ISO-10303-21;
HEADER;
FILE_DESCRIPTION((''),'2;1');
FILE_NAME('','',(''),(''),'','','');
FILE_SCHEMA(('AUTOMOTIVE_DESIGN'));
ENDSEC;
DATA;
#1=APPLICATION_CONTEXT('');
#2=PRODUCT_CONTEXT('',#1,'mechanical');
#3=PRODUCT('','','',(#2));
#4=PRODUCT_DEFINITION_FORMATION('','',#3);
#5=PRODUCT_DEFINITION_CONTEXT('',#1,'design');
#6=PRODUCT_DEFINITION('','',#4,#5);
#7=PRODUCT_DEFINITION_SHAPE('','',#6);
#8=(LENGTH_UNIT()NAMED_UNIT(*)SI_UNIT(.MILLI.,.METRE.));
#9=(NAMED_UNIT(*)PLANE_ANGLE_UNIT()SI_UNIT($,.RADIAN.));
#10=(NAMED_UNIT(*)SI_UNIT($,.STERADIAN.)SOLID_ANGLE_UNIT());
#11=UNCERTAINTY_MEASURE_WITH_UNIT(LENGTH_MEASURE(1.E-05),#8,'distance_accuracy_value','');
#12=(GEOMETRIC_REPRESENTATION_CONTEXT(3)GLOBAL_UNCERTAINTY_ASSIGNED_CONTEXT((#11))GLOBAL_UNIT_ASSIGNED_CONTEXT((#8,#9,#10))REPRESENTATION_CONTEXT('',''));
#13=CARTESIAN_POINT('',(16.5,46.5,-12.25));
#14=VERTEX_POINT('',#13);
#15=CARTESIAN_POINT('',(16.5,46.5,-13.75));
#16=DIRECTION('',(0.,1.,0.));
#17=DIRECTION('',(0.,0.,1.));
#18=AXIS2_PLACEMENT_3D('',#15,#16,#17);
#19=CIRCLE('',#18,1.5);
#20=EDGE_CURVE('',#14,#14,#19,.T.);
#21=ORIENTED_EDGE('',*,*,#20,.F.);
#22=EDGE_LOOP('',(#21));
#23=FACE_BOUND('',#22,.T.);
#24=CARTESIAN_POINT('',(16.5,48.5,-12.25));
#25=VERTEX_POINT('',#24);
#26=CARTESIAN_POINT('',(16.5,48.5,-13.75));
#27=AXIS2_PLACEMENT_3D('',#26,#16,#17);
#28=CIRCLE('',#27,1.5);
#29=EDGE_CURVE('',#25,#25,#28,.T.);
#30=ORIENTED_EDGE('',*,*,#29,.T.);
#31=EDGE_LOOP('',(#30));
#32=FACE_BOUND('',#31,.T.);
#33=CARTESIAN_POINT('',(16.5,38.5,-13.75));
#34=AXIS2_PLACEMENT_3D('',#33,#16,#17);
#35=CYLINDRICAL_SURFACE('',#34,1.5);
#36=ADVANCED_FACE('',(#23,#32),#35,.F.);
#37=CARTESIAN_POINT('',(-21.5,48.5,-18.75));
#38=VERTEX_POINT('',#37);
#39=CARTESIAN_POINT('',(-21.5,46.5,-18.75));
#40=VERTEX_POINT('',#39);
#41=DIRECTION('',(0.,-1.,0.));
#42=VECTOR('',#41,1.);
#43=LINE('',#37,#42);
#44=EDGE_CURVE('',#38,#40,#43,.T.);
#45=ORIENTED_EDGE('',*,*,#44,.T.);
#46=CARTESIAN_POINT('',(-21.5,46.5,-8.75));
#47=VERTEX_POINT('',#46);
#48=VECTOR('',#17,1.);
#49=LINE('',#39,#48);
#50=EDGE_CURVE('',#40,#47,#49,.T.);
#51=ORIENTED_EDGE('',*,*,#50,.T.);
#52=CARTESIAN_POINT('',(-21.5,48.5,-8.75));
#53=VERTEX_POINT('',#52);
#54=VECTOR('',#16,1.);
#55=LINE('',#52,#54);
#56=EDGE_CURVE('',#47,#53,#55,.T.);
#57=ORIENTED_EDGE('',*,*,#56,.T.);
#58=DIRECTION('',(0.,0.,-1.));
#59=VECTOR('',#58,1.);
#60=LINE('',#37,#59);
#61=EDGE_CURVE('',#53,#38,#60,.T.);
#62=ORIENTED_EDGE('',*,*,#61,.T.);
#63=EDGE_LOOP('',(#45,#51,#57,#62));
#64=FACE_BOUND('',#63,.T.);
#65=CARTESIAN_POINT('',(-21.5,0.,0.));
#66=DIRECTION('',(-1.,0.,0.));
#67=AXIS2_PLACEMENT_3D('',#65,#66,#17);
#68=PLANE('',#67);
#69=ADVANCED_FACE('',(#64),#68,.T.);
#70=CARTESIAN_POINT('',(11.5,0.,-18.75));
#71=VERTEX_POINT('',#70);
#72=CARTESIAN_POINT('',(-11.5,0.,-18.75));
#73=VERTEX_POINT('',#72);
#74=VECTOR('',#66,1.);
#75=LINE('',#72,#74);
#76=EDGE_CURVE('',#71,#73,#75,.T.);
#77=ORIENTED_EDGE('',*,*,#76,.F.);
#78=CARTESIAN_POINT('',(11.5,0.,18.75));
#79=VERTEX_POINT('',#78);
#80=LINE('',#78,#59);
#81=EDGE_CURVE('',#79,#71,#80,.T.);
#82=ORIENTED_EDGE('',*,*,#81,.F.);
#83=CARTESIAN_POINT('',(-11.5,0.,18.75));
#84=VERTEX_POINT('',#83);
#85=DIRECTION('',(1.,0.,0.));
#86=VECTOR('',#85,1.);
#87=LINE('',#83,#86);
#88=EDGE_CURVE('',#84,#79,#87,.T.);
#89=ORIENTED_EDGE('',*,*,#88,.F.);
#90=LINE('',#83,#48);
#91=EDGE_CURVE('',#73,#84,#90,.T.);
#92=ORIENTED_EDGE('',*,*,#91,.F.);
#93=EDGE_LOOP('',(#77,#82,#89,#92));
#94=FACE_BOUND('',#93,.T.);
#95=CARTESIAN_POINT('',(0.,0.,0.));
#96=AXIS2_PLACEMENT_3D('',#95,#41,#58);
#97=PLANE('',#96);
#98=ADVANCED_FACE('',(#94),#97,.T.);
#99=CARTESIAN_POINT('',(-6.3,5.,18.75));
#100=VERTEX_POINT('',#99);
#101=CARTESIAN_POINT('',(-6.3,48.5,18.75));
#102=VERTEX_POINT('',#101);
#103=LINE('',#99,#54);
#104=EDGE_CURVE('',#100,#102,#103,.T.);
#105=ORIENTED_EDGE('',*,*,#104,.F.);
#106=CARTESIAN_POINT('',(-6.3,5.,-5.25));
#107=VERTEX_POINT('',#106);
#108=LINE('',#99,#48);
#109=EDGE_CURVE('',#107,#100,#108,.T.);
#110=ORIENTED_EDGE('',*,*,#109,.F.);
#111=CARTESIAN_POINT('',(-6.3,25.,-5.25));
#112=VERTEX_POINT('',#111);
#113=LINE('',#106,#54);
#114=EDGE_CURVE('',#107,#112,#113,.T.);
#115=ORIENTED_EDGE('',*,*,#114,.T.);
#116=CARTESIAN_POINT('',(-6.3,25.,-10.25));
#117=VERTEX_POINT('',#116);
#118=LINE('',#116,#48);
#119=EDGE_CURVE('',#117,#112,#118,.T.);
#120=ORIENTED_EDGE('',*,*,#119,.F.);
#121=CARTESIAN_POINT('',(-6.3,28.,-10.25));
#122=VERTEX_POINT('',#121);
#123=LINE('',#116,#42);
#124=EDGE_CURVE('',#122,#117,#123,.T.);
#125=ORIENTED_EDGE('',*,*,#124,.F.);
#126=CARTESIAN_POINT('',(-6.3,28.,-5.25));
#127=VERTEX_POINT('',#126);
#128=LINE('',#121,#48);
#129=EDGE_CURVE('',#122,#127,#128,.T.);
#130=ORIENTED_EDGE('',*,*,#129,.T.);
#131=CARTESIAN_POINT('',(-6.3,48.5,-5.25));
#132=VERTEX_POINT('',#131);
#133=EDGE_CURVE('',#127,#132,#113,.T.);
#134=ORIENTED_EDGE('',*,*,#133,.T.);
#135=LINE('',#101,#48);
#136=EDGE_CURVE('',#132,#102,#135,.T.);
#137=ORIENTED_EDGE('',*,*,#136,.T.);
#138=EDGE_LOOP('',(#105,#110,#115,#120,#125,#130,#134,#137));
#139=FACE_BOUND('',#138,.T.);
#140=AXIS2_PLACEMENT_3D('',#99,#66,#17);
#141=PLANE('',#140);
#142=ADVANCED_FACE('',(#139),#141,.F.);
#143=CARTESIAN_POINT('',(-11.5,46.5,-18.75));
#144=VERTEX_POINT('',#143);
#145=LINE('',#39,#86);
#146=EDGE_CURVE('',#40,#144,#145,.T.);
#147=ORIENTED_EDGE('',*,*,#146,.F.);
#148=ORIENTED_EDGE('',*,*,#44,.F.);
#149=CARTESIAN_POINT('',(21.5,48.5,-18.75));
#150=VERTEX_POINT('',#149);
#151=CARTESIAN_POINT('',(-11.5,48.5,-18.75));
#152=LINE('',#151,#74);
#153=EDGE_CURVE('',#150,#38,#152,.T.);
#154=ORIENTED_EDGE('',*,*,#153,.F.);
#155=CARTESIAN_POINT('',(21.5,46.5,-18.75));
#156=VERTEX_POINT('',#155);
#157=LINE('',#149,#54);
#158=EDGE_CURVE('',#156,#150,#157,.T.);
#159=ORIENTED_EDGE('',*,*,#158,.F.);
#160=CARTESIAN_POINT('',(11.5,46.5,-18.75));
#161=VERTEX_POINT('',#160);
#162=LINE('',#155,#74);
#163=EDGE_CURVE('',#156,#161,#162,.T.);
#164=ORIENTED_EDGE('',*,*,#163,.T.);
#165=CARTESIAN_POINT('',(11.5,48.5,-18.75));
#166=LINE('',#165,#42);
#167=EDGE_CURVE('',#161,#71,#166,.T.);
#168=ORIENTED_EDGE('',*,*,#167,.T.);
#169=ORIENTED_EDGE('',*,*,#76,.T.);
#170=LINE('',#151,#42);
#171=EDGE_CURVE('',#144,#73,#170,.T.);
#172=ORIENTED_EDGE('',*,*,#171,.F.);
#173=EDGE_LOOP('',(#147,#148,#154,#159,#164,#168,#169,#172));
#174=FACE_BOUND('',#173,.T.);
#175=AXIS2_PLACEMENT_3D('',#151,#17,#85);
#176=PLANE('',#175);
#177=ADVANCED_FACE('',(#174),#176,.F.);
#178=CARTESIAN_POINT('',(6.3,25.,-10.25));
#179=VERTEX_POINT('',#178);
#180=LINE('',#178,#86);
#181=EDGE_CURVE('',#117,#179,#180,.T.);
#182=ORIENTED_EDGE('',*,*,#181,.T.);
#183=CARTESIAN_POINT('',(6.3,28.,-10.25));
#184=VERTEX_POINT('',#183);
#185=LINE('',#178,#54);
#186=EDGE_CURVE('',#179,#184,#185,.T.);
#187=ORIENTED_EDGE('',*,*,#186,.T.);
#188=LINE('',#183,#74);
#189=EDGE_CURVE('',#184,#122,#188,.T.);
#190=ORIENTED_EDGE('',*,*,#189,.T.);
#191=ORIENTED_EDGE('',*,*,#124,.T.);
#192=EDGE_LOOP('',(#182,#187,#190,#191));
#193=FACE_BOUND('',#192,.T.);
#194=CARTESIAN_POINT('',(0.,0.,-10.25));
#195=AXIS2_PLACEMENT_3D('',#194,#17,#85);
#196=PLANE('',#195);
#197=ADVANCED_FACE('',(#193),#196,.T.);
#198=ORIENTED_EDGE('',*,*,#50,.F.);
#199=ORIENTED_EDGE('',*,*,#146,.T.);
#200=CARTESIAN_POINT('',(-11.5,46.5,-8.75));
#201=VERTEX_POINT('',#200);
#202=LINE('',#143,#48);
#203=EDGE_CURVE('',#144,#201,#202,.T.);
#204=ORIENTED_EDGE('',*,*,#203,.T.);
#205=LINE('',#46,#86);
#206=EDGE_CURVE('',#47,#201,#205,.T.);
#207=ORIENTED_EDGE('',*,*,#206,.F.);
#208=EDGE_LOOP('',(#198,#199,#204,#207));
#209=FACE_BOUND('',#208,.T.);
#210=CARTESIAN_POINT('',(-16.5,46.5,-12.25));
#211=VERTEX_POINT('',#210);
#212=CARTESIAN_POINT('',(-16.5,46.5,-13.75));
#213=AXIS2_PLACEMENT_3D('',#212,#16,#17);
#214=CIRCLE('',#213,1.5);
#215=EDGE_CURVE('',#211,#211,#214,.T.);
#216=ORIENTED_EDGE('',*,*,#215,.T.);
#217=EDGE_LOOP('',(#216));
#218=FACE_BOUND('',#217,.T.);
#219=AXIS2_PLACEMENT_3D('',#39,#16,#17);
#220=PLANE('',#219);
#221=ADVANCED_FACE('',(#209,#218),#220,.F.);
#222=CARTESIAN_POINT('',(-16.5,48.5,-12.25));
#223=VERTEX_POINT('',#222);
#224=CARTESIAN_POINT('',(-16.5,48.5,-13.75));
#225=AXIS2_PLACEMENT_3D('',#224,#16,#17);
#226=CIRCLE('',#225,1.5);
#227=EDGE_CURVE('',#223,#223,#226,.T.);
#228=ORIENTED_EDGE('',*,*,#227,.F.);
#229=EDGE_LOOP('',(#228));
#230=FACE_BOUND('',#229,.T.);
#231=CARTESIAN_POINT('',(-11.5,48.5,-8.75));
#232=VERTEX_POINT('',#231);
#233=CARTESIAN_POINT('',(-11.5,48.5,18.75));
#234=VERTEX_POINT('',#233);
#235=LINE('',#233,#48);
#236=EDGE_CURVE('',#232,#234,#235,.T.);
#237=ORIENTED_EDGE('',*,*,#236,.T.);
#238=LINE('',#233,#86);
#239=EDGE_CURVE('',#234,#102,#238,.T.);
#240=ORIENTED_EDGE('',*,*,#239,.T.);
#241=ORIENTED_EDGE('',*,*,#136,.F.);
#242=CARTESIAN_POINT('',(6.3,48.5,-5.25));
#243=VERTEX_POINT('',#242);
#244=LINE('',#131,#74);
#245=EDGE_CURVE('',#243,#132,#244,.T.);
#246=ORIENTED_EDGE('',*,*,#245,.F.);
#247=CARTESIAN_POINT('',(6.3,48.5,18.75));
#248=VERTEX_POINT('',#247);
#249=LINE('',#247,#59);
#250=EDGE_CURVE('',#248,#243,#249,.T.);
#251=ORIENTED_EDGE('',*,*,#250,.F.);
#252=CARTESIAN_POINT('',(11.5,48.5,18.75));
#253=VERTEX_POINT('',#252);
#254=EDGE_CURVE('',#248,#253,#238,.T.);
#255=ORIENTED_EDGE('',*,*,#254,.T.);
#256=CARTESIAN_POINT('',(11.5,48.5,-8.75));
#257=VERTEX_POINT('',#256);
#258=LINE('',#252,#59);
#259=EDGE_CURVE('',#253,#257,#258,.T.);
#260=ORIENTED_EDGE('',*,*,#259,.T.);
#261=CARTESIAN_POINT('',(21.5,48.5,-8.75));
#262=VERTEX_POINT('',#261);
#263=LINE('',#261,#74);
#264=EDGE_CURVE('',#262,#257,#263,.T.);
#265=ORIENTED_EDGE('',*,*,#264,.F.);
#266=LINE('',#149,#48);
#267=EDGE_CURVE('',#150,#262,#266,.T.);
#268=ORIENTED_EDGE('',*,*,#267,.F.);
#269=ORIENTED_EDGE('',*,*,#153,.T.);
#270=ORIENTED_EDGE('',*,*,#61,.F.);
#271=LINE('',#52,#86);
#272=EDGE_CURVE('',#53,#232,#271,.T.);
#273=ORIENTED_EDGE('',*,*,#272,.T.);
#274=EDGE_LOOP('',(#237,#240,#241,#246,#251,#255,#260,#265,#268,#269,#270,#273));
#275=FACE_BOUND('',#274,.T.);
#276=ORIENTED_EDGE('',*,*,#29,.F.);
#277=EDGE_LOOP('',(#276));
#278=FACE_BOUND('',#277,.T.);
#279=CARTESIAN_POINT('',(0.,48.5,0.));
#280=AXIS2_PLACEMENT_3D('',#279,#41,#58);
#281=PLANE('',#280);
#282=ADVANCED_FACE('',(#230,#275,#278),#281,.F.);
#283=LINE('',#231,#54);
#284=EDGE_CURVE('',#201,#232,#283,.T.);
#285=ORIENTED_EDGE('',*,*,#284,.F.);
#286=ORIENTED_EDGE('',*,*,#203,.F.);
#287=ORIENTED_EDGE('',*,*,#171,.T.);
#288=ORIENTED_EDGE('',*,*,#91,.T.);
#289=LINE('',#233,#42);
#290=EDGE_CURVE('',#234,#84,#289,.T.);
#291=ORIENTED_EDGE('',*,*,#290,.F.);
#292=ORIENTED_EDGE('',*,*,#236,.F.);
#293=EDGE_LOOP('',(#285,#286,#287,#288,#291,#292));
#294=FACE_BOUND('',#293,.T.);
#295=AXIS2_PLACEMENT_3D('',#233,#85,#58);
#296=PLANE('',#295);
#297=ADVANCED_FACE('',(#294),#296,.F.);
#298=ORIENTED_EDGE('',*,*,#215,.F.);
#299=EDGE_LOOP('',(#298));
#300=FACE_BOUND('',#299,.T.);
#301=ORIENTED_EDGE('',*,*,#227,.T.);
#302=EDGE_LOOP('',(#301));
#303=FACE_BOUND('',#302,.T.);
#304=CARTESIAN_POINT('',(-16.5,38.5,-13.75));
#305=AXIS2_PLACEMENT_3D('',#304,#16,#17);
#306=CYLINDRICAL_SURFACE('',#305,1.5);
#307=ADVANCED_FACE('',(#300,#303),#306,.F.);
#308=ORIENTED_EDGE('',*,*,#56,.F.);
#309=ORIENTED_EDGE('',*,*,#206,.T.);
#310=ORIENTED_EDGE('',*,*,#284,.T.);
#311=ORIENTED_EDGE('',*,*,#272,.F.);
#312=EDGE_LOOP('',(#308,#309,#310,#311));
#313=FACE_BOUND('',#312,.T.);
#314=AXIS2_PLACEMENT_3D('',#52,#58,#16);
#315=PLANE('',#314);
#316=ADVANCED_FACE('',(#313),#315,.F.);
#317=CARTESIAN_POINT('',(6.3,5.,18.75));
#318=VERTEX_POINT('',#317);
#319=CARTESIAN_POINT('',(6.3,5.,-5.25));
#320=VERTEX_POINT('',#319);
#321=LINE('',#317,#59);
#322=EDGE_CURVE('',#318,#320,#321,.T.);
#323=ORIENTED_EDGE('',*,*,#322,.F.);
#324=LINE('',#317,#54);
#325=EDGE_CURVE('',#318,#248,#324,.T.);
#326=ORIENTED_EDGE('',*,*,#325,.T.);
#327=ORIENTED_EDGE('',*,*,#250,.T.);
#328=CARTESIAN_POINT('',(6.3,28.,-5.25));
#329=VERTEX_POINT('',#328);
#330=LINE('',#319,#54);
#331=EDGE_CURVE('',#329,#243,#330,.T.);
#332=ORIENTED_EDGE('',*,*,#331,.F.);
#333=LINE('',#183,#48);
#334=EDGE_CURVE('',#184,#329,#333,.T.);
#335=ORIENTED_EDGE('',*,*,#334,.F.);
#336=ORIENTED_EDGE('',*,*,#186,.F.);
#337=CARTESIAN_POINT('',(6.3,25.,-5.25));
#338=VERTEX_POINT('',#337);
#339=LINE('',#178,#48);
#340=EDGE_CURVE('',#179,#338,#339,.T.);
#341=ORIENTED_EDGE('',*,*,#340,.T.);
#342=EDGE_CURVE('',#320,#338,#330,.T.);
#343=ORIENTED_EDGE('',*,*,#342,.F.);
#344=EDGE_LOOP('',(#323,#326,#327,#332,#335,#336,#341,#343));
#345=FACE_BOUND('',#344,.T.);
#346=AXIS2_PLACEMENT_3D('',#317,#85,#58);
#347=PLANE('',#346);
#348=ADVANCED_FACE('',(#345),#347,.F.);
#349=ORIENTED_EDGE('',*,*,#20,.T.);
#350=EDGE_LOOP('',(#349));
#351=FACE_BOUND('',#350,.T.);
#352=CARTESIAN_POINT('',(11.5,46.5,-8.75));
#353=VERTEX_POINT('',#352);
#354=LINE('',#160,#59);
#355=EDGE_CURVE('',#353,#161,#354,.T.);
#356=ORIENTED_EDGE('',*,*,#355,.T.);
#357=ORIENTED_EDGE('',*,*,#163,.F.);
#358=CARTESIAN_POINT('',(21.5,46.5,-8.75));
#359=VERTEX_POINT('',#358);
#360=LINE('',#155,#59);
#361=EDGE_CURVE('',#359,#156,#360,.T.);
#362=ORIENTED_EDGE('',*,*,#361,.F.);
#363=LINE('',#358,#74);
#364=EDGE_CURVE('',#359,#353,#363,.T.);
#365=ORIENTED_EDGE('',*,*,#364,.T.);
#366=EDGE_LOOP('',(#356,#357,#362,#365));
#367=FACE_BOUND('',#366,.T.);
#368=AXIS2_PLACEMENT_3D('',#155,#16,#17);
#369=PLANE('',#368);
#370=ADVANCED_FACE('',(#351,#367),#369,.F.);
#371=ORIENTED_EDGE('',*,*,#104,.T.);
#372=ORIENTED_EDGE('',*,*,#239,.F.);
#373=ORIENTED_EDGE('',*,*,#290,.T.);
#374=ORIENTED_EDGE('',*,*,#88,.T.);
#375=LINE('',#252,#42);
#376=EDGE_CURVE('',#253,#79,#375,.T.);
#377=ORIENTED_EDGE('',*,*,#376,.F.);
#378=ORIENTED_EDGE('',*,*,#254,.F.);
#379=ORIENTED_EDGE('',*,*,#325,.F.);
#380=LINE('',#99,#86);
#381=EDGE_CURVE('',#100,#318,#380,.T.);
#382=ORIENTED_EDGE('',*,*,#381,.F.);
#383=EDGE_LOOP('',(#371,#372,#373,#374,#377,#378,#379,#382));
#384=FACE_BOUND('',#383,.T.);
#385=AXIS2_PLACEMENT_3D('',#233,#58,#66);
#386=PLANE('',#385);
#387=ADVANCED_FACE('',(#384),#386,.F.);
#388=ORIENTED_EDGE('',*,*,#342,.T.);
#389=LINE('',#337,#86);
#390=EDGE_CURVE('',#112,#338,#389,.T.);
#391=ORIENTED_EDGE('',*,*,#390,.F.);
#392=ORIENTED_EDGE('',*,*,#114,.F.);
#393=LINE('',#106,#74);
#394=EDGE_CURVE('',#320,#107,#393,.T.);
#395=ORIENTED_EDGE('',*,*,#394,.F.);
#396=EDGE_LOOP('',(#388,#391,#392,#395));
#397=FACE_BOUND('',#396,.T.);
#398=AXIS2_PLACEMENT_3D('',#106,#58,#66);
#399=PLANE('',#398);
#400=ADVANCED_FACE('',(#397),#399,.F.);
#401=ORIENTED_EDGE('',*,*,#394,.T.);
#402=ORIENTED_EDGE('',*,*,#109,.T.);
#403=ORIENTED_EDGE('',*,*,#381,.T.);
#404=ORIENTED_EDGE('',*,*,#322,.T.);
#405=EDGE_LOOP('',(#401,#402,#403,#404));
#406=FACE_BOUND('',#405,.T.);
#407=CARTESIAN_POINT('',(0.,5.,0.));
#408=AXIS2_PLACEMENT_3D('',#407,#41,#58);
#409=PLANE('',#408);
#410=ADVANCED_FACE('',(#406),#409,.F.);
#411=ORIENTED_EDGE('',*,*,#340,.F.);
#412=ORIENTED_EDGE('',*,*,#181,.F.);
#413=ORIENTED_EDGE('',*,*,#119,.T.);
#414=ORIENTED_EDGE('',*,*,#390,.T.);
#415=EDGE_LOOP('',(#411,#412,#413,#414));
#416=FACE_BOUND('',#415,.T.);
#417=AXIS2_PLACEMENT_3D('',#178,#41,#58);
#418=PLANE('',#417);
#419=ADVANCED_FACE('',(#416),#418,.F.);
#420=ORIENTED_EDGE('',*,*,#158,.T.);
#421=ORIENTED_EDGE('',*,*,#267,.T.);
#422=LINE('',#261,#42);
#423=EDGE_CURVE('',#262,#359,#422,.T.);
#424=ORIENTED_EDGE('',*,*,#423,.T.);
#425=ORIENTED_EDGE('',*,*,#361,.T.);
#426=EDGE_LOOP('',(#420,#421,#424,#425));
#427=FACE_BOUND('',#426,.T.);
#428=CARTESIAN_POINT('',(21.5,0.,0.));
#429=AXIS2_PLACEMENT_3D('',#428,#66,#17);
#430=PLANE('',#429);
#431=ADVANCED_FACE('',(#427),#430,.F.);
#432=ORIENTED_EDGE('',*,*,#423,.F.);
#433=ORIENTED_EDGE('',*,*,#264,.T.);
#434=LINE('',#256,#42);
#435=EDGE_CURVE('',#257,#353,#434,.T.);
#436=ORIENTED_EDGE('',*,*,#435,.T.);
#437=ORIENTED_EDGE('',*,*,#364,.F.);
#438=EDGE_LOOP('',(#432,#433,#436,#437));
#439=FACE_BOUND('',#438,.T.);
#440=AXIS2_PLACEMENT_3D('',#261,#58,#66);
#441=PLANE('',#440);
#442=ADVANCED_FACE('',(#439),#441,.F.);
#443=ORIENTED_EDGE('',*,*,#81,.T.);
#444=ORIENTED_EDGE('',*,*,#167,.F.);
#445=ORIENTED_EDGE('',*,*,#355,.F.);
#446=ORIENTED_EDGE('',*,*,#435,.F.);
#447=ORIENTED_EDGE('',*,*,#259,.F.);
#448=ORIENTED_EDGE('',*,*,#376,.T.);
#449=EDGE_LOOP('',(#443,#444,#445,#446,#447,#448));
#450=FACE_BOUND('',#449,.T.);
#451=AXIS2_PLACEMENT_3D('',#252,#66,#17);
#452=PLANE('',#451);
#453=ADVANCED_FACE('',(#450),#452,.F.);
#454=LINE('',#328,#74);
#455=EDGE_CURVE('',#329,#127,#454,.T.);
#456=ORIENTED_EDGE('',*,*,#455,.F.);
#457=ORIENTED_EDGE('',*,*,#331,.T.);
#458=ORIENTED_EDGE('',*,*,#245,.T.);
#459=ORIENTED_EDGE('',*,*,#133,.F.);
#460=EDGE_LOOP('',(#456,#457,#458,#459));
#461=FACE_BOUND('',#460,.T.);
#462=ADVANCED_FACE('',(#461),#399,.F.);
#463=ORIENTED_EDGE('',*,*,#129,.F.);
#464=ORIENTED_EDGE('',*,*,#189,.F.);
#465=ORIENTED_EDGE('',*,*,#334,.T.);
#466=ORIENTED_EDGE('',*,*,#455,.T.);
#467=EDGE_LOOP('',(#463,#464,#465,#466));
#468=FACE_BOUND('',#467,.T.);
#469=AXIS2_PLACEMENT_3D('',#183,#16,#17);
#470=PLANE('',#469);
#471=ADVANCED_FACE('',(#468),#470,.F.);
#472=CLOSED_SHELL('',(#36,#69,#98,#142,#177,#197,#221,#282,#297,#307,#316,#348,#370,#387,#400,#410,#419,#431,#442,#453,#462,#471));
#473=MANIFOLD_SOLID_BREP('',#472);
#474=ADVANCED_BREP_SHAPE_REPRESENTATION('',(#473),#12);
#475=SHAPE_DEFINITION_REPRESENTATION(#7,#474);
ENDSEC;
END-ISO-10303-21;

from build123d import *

# Parameters (mm, degrees)
SKETCH1_W           = 23
SKETCH1_H           = 37.5
BOSS_EXTRUDE1_DEPTH = 48.5
SKETCH2_W           = 12.6
SKETCH2_H           = 24
CUT_EXTRUDE1_DEPTH  = 43.5
SKETCH3_W           = 12.6
SKETCH3_H           = 3
CUT_EXTRUDE2_DEPTH  = 5
SKETCH4_W           = 10
SKETCH4_H           = 2
BOSS_EXTRUDE2_DEPTH = 10
SKETCH5_W           = 10
SKETCH5_H           = 2
BOSS_EXTRUDE3_DEPTH = 10
SKETCH6_R           = 1.5
CUT_EXTRUDE3_DEPTH  = 10


with BuildPart() as part:
    # Sketch1 → Boss-Extrude1 (new body)
    with BuildSketch(Plane(origin=(0, 0, 0), x_dir=(1, 0, 0), z_dir=(0, 1, 0))):
        Rectangle(SKETCH1_W, SKETCH1_H)
    extrude(amount=BOSS_EXTRUDE1_DEPTH)

    # Sketch2 → Cut-Extrude1 (cut)
    with BuildSketch(Plane(origin=(0, 48.5, 0), x_dir=(1, 0, 0), z_dir=(0, 1, 0))):
        with Locations((0, -6.75)):
            Rectangle(SKETCH2_W, SKETCH2_H)
    extrude(amount=-CUT_EXTRUDE1_DEPTH, mode=Mode.SUBTRACT)

    # Sketch3 → Cut-Extrude2 (cut)
    with BuildSketch(Plane.XY.offset(-5.25)):
        with Locations((0, 26.5)):
            Rectangle(SKETCH3_W, SKETCH3_H)
    extrude(amount=-CUT_EXTRUDE2_DEPTH, mode=Mode.SUBTRACT)

    # Sketch4 → Boss-Extrude2 (add)
    with BuildSketch(Plane.ZY.offset(11.5)):
        with Locations((-13.75, 47.5)):
            Rectangle(SKETCH4_W, SKETCH4_H)
    extrude(amount=BOSS_EXTRUDE2_DEPTH)

    # Sketch5 → Boss-Extrude3 (add)
    with BuildSketch(Plane(origin=(11.5, 0, 0), x_dir=(0, 0, -1), z_dir=(1, 0, 0))):
        with Locations((13.75, 47.5)):
            Rectangle(SKETCH5_W, SKETCH5_H)
    extrude(amount=BOSS_EXTRUDE3_DEPTH)

    # Sketch6 → Cut-Extrude3 (cut)
    with BuildSketch(Plane(origin=(0, 48.5, 0), x_dir=(1, 0, 0), z_dir=(0, 1, 0))):
        with Locations(Location((16.5, 13.75, 0), (0, 0, 270))):
            Circle(SKETCH6_R)
        with Locations(Location((-16.5, 13.75, 0), (0, 0, 270))):
            Circle(SKETCH6_R)
    extrude(amount=-CUT_EXTRUDE3_DEPTH, mode=Mode.SUBTRACT)


solid = part.part
